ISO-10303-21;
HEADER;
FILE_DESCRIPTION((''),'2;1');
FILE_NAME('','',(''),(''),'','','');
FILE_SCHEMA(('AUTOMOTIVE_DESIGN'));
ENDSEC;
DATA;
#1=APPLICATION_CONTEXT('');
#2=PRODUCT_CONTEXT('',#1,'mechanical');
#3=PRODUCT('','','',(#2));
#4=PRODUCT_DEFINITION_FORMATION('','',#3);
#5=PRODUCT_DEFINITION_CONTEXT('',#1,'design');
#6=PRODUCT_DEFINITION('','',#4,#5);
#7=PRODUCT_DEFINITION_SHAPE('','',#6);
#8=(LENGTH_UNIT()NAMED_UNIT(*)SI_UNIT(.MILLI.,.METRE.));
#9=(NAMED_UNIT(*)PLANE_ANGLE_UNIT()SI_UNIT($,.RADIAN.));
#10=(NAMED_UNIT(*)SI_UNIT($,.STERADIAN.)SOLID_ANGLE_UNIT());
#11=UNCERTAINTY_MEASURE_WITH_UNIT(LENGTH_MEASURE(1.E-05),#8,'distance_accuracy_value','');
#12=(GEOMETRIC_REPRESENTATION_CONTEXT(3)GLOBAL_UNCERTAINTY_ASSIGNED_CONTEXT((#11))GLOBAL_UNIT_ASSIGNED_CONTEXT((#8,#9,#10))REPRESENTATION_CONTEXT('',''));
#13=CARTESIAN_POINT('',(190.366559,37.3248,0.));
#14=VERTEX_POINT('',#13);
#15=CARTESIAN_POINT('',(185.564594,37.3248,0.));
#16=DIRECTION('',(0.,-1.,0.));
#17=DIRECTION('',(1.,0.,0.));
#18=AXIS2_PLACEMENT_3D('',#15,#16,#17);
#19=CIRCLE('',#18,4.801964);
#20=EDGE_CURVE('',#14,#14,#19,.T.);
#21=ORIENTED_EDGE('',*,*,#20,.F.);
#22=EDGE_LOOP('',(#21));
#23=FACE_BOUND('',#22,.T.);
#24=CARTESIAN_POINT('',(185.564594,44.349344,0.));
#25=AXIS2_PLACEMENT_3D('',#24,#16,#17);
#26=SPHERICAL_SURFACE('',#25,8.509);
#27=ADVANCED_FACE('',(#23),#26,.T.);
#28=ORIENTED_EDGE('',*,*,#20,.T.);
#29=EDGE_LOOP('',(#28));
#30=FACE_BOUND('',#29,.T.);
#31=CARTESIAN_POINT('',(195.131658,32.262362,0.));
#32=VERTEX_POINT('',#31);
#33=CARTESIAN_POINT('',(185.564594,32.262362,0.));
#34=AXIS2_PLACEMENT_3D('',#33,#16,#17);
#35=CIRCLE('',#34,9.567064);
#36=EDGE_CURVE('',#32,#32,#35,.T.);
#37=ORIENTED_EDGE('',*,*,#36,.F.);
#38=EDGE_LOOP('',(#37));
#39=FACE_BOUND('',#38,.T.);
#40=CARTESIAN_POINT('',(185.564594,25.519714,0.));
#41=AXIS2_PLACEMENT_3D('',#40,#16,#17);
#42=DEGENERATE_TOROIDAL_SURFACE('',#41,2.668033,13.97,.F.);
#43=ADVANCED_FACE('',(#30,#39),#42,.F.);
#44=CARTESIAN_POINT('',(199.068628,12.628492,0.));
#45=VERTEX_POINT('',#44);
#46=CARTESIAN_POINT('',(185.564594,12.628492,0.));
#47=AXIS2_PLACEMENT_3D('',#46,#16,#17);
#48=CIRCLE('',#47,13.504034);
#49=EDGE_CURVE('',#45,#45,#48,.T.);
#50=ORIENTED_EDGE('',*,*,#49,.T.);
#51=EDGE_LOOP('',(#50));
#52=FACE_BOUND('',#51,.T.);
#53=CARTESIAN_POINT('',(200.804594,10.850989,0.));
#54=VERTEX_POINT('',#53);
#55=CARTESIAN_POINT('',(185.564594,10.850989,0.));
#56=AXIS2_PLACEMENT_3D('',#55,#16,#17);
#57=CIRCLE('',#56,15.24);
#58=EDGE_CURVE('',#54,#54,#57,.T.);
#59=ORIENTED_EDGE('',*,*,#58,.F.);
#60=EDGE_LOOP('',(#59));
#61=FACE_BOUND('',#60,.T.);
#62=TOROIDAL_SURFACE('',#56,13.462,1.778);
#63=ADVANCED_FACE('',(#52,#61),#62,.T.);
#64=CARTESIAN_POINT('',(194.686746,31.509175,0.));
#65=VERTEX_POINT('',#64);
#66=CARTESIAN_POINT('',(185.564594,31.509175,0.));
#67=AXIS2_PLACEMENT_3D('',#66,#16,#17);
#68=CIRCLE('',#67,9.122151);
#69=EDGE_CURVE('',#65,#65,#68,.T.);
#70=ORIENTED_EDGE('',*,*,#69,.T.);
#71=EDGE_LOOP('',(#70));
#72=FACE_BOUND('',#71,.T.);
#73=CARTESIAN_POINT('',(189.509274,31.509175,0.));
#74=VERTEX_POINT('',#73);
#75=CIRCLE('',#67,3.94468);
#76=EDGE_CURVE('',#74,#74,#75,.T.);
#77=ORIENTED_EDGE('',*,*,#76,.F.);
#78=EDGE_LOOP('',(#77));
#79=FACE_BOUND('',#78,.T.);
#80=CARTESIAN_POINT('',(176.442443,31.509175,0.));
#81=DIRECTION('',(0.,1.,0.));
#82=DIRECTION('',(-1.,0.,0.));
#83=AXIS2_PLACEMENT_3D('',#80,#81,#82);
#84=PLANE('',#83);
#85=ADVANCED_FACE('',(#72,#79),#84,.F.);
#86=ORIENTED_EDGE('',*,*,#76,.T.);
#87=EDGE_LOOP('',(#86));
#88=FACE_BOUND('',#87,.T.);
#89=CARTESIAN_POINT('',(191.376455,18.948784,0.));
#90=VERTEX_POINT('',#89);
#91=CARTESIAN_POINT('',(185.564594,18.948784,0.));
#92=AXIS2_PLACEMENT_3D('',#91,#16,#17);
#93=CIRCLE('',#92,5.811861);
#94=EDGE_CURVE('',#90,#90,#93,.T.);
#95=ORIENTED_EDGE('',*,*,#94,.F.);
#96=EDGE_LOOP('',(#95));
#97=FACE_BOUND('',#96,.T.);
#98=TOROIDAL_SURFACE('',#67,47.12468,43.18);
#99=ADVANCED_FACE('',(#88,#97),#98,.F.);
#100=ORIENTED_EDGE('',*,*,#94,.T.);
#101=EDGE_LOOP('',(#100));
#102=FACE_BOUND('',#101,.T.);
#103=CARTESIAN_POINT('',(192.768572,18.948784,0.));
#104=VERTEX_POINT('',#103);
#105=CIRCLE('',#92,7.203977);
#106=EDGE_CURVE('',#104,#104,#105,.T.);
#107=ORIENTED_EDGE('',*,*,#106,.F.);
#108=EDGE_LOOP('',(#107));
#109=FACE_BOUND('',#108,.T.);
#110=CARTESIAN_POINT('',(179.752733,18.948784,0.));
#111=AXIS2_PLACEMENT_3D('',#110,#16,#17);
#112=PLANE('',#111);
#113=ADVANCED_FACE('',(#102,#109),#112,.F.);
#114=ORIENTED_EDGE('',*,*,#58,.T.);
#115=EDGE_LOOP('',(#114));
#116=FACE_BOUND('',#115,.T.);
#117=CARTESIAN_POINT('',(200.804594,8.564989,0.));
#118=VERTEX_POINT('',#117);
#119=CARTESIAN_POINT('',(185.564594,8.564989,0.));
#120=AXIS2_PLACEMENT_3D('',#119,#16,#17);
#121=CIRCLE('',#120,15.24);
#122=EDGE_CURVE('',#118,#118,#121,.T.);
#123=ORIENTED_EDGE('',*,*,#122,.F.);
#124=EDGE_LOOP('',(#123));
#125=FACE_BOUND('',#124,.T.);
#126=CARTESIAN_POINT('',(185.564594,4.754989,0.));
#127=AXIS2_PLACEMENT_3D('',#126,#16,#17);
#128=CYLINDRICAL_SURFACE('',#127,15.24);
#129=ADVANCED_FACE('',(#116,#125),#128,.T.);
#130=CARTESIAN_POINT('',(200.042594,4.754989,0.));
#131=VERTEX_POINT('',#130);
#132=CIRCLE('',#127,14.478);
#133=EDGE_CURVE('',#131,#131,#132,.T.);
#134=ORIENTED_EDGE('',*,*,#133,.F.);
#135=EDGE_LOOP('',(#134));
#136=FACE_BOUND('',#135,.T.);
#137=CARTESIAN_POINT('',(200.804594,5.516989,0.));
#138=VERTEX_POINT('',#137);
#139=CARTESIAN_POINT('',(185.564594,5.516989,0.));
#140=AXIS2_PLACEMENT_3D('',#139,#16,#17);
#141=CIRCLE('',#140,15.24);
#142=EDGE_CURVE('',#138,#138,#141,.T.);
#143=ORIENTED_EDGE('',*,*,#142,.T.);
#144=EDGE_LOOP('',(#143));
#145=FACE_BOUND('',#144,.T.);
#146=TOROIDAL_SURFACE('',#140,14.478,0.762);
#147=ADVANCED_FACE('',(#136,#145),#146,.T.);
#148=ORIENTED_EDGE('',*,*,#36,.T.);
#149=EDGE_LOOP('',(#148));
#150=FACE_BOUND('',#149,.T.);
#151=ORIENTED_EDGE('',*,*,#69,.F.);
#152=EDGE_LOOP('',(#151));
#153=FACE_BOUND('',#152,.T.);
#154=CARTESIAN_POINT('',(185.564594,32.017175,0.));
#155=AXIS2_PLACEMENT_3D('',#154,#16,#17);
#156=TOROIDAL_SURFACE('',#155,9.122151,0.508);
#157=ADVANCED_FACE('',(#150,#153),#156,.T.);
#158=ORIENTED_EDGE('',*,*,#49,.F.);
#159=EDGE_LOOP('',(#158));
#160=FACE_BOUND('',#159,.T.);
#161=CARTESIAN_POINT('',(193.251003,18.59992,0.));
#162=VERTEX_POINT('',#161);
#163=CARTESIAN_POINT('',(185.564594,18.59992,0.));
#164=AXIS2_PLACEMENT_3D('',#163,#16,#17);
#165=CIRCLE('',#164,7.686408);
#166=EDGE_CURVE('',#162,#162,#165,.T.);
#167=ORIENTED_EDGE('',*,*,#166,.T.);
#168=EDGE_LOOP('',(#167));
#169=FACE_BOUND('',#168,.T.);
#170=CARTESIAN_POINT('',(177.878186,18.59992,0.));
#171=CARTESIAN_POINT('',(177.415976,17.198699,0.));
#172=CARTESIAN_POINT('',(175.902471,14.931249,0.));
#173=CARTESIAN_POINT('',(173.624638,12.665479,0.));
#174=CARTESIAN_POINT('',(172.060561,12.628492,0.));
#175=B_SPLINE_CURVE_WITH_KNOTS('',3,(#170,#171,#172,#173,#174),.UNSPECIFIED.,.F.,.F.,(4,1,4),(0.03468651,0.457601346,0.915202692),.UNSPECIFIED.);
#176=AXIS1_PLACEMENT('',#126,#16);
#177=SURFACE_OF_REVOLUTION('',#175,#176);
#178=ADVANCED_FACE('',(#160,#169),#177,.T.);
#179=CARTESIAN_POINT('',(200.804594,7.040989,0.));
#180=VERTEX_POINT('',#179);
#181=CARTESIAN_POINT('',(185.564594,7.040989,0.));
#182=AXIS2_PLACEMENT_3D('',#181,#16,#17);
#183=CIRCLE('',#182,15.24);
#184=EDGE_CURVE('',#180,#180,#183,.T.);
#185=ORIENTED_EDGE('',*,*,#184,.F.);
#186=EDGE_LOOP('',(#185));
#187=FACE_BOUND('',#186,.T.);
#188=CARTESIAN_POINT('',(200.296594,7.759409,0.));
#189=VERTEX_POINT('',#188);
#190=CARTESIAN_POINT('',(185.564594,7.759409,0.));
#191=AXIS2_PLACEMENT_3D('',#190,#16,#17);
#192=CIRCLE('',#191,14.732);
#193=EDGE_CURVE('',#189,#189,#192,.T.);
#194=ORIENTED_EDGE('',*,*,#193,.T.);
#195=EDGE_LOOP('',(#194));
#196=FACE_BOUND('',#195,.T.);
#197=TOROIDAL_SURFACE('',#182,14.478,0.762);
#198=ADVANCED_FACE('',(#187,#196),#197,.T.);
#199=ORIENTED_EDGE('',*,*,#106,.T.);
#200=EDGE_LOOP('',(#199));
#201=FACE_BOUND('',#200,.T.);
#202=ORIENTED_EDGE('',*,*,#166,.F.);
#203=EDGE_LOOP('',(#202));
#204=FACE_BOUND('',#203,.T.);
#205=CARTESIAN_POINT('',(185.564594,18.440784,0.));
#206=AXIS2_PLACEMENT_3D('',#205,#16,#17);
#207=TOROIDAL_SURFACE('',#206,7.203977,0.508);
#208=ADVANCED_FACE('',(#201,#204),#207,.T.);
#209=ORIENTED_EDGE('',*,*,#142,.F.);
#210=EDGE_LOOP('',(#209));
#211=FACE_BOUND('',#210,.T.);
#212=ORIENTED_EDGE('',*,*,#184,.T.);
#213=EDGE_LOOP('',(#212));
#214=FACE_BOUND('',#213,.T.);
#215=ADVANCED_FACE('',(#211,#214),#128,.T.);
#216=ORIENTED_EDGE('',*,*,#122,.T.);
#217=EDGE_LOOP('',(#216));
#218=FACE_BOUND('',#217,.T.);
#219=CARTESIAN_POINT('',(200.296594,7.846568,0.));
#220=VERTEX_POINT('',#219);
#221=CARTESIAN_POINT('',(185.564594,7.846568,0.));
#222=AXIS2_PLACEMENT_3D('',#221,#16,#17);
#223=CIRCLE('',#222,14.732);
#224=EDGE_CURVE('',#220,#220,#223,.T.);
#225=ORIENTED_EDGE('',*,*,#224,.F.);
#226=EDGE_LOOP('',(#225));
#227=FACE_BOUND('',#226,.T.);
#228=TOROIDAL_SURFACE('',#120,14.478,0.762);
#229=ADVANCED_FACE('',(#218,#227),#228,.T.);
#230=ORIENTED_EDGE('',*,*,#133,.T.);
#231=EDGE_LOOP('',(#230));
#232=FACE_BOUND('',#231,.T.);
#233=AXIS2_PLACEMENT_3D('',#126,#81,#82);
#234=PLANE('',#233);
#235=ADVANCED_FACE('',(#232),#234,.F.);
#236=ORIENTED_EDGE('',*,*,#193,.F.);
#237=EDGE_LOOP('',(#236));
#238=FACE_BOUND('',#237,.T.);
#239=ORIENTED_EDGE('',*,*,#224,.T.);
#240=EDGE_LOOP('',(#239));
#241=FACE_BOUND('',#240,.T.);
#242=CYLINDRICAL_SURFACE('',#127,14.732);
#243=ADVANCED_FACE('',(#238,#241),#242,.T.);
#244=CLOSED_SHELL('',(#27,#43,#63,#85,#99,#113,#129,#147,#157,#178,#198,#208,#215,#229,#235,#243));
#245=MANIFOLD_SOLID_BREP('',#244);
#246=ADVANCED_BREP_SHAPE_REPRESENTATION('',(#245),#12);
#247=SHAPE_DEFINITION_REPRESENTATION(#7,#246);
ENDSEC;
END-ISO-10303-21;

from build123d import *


with BuildPart() as part:
    # Sketch2 → Pawn (revolve)
    with BuildSketch(Plane.XY, mode=Mode.PRIVATE) as pawn_sk:
        with BuildLine():
            Line((185.564594357, 4.754988985), (185.564594357, 52.8583438))
            ThreePointArc((185.564594357, 52.8583438), (177.435174713, 46.862432987), (180.762630177, 37.324799615))
            ThreePointArc((180.762630177, 37.324799615), (178.060127536, 35.094741309), (175.997530405, 32.262361807))
            ThreePointArc((175.997530405, 32.262361807), (176.00505357, 31.75880579), (176.442443034, 31.509174628))
            Line((176.442443034, 31.509174628), (181.619914489, 31.509174628))
            ThreePointArc((181.619914489, 31.509174628), (181.150568392, 25.159966557), (179.752733241, 18.948784239))
            Line((179.752733241, 18.948784239), (178.36061713, 18.948784239))
            ThreePointArc((178.36061713, 18.948784239), (178.062940275, 18.852430312), (177.878185994, 18.599920026))
            add(Edge.make_bspline(
                [(177.878185994, 18.599920026), (177.4159763, 17.198699397), (175.902471026, 14.931249385), (173.624638006, 12.665478704), (172.060560706, 12.628492058)],
                knots=[0.03468651, 0.03468651, 0.03468651, 0.03468651, 0.457601346, 0.915202692, 0.915202692, 0.915202692, 0.915202692], degree=3))
            ThreePointArc((172.060560706, 12.628492058), (170.83058417, 12.093274816), (170.324594357, 10.850988985))
            Line((170.324594357, 10.850988985), (170.324594357, 8.564988985))
            ThreePointArc((170.324594357, 8.564988985), (170.464423962, 8.12504808), (170.832594357, 7.846568495))
            Line((170.832594357, 7.846568495), (170.832594357, 7.759409475))
            ThreePointArc((170.832594357, 7.759409475), (170.464423962, 7.48092989), (170.324594357, 7.040988985))
            Line((170.324594357, 7.040988985), (170.324594357, 5.516988985))
            ThreePointArc((170.324594357, 5.516988985), (170.547778989, 4.978173618), (171.086594357, 4.754988985))
            Line((171.086594357, 4.754988985), (185.564594357, 4.754988985))
        make_face()
    revolve(pawn_sk.sketch.rotate(Axis((185.564594357, 4.754988985, 0), (0, 1, 0)), 180), axis=Axis((185.564594357, 4.754988985, 0), (0, 1, 0)))


solid = part.part
